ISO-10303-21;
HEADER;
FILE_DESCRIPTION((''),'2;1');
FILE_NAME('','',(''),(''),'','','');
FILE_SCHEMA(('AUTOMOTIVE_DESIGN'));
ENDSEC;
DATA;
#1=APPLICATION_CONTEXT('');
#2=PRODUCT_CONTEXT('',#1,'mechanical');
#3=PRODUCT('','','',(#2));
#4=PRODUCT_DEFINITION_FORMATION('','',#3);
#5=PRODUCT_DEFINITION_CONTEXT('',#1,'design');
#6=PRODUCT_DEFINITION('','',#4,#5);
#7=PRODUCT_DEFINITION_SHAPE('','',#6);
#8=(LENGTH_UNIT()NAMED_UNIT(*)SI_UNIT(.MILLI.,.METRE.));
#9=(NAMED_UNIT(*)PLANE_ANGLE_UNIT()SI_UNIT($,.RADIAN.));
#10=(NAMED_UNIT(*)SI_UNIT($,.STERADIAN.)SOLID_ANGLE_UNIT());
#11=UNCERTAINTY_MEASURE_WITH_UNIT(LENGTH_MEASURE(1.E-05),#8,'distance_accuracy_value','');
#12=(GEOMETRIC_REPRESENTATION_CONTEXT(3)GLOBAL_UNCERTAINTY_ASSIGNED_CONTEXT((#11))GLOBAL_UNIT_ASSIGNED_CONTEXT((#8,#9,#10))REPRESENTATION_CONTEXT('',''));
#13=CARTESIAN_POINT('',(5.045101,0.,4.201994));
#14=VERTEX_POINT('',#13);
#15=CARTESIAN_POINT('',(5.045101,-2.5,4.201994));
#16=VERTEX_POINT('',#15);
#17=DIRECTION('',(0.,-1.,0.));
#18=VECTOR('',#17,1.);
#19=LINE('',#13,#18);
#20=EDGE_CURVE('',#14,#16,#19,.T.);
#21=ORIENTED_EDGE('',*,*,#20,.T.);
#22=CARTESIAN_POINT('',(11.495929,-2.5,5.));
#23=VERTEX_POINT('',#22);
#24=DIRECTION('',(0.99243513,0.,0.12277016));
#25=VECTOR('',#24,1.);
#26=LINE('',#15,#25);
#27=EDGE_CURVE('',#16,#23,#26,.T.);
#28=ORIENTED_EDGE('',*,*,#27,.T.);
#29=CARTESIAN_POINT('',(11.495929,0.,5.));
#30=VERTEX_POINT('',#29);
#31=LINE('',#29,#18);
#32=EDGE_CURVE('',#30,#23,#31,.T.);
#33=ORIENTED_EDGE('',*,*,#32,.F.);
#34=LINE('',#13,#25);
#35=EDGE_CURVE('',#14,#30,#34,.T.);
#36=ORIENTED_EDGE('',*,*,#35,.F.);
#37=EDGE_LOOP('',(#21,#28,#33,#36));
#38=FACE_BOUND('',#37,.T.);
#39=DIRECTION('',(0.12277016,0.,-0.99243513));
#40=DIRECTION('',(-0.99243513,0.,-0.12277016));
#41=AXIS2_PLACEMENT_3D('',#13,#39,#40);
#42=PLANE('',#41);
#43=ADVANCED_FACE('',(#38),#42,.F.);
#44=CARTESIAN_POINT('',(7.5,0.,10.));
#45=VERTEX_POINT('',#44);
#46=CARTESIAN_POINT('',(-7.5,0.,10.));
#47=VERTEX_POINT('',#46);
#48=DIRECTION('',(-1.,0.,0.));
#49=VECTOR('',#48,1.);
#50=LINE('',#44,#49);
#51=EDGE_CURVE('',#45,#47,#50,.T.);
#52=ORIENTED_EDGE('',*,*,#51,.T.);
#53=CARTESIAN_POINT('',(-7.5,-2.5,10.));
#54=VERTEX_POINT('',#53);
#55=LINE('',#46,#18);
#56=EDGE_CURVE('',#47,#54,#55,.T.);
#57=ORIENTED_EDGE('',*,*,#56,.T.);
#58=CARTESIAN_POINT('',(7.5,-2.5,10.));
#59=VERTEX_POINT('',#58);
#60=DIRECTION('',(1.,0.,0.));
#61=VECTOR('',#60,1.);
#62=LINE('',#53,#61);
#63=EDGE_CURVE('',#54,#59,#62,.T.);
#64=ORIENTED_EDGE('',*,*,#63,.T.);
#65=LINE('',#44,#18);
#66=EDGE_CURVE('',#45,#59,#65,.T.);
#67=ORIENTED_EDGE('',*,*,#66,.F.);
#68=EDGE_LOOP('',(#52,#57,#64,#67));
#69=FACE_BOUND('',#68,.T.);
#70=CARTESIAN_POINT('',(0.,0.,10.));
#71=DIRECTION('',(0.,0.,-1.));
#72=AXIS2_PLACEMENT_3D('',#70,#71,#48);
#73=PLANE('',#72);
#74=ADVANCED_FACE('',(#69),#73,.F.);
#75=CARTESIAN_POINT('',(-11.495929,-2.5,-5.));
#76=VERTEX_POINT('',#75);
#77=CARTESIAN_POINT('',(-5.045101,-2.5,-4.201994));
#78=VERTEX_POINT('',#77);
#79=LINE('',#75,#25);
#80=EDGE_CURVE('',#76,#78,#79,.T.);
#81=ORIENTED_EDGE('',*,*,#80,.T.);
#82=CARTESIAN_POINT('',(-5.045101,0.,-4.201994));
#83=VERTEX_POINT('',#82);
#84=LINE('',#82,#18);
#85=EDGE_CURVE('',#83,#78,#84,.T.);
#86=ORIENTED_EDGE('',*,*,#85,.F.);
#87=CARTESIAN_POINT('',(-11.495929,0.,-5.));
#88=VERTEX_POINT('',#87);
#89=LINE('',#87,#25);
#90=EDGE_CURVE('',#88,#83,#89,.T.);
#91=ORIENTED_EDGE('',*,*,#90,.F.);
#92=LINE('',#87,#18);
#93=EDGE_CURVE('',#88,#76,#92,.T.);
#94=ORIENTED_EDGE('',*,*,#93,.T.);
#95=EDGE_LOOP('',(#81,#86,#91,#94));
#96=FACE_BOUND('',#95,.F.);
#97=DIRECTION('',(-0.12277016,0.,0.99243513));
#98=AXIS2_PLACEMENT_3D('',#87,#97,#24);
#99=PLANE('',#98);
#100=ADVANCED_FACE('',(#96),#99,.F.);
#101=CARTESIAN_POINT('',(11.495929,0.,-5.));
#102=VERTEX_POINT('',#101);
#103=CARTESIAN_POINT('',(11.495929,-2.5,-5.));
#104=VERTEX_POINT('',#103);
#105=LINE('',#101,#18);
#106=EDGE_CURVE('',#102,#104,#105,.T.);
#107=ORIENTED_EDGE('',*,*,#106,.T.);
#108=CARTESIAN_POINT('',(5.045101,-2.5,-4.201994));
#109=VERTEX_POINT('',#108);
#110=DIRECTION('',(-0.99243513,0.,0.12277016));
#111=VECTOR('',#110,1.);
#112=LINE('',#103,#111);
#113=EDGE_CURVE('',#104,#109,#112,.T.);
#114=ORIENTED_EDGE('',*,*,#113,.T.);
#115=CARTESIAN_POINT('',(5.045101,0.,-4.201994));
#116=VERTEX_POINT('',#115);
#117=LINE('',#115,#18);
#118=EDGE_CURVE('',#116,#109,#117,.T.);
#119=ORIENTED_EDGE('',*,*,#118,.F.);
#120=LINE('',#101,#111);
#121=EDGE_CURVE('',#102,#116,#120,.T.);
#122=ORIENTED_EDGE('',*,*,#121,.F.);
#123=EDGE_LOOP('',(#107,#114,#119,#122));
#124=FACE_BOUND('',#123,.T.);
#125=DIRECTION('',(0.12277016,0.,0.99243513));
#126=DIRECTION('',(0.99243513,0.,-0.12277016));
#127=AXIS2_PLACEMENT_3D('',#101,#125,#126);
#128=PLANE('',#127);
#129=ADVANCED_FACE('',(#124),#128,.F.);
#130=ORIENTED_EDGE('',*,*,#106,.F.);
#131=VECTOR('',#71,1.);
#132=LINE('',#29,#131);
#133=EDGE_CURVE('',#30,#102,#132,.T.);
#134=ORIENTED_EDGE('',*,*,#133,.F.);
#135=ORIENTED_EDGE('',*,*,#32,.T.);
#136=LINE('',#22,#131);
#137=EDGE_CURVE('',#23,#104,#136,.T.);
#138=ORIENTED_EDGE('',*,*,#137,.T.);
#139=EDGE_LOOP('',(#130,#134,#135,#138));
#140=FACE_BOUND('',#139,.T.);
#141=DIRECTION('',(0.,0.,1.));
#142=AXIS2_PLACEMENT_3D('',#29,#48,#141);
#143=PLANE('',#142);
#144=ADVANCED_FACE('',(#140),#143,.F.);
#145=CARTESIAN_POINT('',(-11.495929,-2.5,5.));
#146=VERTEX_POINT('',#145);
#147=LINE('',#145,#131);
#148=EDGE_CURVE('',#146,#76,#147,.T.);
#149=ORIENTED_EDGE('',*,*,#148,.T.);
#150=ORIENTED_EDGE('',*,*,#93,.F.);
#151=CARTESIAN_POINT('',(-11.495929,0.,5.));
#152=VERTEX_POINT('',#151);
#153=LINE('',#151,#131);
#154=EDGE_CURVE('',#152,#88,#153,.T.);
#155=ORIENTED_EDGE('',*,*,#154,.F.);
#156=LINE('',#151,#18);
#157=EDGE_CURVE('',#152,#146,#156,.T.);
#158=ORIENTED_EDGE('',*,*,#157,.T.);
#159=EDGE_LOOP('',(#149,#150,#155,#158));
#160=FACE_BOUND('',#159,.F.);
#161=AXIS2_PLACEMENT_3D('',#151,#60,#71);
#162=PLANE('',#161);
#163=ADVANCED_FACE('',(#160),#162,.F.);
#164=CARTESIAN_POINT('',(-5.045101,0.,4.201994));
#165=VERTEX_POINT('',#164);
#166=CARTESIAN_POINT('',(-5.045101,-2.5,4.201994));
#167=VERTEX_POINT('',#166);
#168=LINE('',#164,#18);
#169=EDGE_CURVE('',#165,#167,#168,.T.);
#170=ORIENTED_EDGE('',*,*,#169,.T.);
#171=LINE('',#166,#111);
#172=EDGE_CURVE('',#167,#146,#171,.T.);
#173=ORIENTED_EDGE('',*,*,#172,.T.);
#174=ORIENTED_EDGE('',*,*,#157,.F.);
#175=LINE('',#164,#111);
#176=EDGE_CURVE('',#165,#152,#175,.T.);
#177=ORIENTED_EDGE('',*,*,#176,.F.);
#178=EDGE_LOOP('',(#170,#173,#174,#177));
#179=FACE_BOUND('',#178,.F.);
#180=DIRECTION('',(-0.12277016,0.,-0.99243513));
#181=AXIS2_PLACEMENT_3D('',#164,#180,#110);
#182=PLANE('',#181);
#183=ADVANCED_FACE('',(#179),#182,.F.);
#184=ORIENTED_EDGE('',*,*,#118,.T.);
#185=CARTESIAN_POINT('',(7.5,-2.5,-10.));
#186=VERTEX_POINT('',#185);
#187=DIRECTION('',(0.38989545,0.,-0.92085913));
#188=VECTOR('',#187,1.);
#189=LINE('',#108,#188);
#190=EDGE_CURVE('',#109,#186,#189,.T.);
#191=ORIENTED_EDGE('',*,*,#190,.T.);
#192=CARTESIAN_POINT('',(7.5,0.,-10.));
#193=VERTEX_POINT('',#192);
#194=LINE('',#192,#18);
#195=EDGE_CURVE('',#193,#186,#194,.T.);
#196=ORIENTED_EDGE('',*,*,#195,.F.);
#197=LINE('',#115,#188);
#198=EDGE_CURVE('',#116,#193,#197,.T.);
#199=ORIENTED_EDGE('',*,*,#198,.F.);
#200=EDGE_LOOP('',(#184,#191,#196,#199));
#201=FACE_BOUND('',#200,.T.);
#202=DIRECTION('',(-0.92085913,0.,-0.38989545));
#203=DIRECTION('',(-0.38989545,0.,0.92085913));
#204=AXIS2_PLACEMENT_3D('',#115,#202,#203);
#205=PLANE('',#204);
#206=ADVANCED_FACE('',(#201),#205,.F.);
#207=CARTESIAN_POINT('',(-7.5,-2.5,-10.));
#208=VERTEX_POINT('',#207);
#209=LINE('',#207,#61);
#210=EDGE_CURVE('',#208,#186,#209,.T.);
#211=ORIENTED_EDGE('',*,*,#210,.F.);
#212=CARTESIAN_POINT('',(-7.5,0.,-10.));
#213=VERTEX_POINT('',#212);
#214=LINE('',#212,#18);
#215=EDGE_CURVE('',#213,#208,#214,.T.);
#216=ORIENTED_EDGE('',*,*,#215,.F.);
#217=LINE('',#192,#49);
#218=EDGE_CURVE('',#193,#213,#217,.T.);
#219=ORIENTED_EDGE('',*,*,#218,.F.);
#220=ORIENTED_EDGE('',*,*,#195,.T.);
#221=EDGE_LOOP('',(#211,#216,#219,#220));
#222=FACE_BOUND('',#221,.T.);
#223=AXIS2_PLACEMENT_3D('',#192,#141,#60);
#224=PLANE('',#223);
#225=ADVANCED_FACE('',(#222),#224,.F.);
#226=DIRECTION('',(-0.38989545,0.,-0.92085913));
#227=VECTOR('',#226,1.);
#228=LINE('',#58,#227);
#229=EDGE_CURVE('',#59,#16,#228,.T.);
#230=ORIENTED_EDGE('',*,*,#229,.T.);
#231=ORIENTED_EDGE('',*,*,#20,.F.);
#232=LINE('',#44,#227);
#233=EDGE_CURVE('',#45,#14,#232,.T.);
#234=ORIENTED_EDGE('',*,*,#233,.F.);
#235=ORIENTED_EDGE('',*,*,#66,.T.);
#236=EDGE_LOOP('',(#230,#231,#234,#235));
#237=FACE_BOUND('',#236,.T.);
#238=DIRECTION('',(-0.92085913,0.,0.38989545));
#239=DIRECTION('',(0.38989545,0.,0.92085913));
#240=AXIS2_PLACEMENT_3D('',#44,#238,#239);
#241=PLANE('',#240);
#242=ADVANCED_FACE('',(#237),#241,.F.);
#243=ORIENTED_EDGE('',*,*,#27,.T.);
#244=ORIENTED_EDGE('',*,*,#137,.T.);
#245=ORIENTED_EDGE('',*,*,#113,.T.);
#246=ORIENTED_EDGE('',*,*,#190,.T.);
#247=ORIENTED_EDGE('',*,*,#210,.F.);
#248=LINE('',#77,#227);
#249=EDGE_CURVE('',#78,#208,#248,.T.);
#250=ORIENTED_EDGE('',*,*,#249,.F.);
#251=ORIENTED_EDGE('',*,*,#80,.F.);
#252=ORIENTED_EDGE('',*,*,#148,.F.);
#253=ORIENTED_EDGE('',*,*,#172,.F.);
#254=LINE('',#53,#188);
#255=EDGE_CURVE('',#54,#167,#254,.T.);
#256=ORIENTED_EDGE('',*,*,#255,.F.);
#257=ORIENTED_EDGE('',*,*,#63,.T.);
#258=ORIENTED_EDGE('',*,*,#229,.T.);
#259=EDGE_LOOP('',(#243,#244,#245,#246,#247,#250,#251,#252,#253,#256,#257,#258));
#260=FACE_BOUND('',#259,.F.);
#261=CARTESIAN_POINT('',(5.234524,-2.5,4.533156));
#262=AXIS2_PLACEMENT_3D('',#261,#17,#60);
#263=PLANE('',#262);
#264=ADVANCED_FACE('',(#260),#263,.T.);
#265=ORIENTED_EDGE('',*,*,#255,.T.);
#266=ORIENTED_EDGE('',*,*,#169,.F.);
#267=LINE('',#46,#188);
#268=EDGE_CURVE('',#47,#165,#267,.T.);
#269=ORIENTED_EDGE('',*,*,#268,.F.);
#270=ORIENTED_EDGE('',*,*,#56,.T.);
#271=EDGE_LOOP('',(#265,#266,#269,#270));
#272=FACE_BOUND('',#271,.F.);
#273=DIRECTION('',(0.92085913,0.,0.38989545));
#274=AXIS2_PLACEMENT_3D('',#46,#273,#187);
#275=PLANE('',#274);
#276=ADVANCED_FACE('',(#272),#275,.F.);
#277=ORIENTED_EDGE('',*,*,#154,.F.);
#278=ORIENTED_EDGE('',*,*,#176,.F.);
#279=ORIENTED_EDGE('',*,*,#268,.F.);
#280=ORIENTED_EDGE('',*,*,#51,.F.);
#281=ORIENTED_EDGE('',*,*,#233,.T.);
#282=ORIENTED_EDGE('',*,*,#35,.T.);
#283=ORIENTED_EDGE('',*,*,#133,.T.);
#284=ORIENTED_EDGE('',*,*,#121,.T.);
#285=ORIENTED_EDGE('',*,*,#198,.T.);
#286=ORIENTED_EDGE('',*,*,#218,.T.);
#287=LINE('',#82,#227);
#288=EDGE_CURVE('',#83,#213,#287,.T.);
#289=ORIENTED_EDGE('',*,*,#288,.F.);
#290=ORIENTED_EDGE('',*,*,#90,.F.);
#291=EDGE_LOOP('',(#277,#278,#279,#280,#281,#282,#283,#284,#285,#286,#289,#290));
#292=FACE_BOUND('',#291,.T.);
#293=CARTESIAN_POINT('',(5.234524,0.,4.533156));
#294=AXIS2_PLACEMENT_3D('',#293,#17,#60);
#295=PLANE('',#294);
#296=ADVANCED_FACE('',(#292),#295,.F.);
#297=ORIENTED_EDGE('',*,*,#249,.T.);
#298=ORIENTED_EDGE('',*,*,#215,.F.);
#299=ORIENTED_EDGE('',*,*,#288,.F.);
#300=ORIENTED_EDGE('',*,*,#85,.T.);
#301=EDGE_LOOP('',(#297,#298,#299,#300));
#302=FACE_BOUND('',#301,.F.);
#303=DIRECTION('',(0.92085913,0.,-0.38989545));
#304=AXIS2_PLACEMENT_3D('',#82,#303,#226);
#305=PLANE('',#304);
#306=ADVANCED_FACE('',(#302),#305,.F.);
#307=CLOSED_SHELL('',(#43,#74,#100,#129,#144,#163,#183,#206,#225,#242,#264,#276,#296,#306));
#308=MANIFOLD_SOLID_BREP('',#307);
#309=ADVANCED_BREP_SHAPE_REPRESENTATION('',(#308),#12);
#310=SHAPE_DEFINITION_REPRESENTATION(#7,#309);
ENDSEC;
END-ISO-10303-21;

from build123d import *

# Parameters (mm, degrees)
F1_DEPTH = 2.5


with BuildPart() as f1:
    # F0 (on Front) → F1 (new body)
    with BuildSketch(Plane.XZ):
        Polygon((-11.495929, 0), (0, 0), (0, 10), (-7.5, 10), (-5.045101, 4.201994), (-11.495929, 5), align=None)
        Polygon((0, -10), (0, 0), (-11.495929, 0), (-11.495929, -5), (-5.045101, -4.201994), (-7.5, -10), align=None)
    extrude(amount=F1_DEPTH)

    # F2: F1 across plane


with BuildPart() as f1_1:
    add(f1.part)
    add(f1.part.mirror(Plane.YZ))


solid = f1_1.part
